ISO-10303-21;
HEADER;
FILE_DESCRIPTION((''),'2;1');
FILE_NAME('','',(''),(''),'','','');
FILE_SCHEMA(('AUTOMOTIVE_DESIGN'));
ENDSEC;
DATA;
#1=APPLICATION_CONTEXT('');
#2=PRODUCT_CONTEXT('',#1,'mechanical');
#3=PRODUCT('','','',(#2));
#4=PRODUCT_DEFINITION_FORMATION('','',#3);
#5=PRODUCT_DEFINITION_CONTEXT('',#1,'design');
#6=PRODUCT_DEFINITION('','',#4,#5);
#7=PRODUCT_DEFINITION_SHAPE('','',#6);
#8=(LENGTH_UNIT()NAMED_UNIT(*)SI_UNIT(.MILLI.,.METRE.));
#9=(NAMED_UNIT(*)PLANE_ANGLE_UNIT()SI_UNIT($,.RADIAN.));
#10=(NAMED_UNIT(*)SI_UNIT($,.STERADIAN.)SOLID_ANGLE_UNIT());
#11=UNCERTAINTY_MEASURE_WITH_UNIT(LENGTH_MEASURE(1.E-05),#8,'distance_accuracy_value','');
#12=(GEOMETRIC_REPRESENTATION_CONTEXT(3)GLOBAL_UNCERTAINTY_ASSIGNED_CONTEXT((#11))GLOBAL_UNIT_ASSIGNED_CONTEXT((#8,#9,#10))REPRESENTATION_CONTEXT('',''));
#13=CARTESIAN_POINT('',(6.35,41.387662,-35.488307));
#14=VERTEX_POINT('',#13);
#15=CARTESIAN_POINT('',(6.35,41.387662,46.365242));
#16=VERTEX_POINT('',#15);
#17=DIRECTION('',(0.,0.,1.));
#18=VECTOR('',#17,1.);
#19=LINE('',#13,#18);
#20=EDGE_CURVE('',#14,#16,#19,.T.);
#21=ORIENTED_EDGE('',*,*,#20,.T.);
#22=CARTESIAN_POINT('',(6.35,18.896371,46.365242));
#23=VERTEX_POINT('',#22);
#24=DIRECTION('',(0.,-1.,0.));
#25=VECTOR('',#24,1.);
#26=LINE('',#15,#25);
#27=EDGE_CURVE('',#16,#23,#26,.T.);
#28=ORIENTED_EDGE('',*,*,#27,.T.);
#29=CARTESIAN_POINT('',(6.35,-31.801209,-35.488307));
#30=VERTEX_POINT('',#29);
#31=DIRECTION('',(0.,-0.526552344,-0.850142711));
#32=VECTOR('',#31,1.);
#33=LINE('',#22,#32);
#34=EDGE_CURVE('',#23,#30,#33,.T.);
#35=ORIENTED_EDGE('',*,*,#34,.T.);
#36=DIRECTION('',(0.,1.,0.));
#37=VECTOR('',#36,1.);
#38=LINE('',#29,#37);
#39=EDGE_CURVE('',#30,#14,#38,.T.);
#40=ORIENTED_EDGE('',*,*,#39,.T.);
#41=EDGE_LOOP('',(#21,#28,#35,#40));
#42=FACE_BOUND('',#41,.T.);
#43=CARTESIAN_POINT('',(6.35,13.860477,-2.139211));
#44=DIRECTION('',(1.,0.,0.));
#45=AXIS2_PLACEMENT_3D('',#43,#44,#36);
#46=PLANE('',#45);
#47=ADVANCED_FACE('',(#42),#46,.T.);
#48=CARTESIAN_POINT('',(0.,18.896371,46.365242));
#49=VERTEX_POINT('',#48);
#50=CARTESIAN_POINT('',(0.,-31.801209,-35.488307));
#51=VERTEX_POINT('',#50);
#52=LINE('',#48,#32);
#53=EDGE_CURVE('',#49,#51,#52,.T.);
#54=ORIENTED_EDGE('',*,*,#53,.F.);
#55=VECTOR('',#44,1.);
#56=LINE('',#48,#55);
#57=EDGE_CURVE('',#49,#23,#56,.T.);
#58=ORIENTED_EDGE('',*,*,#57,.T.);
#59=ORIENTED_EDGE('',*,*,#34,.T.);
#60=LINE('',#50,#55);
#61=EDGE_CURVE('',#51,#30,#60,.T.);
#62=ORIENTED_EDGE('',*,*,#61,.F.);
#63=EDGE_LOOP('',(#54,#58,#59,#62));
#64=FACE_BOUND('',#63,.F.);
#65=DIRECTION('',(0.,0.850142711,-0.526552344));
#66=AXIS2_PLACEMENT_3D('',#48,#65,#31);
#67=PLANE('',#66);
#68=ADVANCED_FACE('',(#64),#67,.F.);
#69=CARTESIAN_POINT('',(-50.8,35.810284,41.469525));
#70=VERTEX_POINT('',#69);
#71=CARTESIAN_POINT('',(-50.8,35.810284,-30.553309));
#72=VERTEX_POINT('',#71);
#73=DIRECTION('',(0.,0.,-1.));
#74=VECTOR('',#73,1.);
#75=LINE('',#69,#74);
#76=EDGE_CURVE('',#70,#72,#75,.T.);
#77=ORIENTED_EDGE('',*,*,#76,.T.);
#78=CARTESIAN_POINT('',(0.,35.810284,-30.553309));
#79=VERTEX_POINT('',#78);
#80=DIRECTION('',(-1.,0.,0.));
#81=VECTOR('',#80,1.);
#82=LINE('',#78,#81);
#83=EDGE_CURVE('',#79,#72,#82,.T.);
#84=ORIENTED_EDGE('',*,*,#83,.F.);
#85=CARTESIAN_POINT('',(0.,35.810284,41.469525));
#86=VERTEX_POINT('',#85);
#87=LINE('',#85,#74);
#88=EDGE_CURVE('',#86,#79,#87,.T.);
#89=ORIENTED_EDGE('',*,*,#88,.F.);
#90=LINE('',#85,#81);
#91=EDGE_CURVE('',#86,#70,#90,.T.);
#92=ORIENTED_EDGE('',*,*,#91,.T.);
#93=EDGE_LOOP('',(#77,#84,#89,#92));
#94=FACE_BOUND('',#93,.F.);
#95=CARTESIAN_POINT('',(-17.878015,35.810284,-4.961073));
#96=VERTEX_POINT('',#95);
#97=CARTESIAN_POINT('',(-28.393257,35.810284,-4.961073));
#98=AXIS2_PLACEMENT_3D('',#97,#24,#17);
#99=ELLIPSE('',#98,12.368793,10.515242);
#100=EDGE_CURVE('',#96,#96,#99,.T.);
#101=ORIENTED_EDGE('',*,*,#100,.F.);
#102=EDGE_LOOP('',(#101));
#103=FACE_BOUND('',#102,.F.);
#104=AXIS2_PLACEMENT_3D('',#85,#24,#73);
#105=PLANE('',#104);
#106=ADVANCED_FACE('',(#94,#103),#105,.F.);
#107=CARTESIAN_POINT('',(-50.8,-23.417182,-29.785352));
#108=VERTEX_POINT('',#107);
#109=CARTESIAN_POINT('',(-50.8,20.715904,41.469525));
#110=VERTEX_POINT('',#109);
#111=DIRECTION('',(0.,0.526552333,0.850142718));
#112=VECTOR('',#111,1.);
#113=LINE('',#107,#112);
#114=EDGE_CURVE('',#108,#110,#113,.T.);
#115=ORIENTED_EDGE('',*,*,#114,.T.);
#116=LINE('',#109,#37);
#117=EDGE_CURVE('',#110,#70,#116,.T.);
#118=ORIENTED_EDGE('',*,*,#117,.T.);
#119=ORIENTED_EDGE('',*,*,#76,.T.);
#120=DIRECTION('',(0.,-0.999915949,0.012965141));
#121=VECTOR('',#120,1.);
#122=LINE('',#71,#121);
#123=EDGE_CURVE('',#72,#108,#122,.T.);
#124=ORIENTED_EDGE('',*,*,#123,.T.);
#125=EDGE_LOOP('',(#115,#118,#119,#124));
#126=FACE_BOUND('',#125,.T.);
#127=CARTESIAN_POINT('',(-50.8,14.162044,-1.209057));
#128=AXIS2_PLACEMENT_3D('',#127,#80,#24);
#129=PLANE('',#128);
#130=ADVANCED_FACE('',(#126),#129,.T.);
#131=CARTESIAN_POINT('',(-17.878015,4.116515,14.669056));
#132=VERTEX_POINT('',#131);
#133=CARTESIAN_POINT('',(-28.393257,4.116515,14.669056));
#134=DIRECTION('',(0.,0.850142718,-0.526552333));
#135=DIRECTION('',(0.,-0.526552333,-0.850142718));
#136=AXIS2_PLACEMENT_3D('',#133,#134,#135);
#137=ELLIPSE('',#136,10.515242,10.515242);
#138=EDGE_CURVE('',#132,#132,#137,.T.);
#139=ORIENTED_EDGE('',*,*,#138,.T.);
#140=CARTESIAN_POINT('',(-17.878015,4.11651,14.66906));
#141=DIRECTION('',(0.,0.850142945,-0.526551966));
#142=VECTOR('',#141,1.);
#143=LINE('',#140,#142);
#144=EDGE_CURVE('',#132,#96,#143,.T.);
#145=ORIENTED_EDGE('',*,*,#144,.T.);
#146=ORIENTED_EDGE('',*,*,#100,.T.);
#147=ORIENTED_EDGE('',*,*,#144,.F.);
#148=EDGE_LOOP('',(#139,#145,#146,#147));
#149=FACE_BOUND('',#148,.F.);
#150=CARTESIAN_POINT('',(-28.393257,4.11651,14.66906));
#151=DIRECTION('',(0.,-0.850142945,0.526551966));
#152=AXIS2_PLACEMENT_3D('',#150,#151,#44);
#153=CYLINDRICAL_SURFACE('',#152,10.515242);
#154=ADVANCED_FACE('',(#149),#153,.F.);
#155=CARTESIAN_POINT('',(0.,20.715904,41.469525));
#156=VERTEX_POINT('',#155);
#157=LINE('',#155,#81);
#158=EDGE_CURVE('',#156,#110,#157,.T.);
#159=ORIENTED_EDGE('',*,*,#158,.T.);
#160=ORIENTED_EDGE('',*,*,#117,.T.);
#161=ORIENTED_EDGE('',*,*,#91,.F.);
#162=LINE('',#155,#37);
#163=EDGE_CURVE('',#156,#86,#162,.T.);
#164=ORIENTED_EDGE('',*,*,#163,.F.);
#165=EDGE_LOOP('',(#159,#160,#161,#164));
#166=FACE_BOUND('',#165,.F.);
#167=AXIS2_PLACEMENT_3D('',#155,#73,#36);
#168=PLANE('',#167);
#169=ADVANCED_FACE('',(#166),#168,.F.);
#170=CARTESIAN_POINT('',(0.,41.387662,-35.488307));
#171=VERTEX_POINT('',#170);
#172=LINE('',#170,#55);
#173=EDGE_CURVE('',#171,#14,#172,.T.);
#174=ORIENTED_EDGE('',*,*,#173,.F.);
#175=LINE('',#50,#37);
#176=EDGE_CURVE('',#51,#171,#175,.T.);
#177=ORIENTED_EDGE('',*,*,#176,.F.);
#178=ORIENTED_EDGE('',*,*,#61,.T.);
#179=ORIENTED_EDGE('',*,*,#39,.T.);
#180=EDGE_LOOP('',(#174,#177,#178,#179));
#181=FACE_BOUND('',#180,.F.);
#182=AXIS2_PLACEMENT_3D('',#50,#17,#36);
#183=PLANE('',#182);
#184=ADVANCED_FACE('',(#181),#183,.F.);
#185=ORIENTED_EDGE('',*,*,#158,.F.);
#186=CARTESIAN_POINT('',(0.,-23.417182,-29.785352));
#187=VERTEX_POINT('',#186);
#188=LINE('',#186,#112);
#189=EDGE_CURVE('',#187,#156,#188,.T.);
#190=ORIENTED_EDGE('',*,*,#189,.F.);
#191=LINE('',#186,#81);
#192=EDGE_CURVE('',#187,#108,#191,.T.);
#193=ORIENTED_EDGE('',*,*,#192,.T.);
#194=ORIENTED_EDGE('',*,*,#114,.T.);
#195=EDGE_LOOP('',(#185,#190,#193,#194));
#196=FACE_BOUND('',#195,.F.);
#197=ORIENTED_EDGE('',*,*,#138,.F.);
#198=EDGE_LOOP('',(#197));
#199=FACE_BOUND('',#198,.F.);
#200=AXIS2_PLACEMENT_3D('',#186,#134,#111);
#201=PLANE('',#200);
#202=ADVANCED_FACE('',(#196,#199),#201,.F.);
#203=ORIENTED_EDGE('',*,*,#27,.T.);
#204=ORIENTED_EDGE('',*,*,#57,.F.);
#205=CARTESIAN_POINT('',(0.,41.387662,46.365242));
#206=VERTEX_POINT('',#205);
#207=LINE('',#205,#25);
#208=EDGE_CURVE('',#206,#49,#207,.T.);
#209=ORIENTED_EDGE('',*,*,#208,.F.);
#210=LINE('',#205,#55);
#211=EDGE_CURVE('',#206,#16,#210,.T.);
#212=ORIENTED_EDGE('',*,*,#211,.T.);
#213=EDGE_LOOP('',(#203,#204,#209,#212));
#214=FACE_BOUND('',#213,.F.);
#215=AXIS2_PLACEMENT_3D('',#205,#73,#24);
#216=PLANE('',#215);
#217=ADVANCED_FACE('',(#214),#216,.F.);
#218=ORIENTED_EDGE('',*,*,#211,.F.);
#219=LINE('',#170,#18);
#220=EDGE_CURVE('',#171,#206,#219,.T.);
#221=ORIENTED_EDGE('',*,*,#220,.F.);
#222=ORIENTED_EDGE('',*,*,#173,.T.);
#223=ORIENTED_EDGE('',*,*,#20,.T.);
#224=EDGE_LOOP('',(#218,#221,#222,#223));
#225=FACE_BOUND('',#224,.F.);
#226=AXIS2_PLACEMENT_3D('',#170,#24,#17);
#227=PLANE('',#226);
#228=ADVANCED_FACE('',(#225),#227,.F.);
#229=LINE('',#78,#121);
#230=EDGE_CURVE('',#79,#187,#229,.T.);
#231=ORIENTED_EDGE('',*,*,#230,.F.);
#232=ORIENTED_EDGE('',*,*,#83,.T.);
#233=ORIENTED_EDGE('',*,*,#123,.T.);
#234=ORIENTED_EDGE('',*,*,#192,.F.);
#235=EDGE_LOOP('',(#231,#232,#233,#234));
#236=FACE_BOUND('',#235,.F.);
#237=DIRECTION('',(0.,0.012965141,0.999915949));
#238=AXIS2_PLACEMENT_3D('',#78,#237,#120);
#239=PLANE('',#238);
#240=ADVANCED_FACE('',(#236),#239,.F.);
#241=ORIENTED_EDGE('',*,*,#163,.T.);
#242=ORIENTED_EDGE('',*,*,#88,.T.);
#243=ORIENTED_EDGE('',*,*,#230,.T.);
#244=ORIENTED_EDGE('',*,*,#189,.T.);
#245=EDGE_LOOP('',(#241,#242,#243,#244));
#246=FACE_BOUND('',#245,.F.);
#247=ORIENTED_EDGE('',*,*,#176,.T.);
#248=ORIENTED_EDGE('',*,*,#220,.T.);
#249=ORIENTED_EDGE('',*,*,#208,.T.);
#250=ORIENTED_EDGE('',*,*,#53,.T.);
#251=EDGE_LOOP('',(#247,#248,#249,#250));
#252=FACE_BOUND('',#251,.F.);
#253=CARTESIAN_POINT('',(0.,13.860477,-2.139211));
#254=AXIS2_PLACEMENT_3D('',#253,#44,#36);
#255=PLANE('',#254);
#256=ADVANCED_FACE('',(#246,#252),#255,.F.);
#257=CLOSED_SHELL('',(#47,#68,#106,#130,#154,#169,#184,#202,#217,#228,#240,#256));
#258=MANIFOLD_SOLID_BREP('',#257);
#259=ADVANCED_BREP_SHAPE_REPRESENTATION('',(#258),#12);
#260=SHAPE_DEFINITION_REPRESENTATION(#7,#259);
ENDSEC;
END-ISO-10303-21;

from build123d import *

# Parameters (mm, degrees)
F1_DEPTH = 6.35
F3_DEPTH = 50.8
F4_R     = 10.515242
F5_DEPTH = 83.82


with BuildPart() as f1:
    # F0 (on Right) → F1 (new body)
    with BuildSketch(Plane.YZ):
        Polygon((41.387662, -35.488307), (41.387662, 46.365242), (18.896371, 46.365242), (-31.801209, -35.488307), align=None)
    extrude(amount=F1_DEPTH)

    # F2 (on face) → F3 (join)
    with BuildSketch(Plane(origin=(0, 0, 0), x_dir=(0, -1, 0), z_dir=(-1, 0, 0))):
        Polygon((-35.810284, -30.553309), (23.417182, -29.785352), (-20.715904, 41.469525), (-35.810284, 41.469525), align=None)
    extrude(amount=F3_DEPTH)

    # F4 (on face) → F5 (cut)
    with BuildSketch(Plane(origin=(0, -3.591343, 2.224368), x_dir=(1, 0, 0), z_dir=(0, -0.850143, 0.526552))):
        with Locations((-28.393257, 14.638352)):
            Circle(F4_R)
    extrude(amount=-F5_DEPTH, mode=Mode.SUBTRACT)


solid = f1.part
